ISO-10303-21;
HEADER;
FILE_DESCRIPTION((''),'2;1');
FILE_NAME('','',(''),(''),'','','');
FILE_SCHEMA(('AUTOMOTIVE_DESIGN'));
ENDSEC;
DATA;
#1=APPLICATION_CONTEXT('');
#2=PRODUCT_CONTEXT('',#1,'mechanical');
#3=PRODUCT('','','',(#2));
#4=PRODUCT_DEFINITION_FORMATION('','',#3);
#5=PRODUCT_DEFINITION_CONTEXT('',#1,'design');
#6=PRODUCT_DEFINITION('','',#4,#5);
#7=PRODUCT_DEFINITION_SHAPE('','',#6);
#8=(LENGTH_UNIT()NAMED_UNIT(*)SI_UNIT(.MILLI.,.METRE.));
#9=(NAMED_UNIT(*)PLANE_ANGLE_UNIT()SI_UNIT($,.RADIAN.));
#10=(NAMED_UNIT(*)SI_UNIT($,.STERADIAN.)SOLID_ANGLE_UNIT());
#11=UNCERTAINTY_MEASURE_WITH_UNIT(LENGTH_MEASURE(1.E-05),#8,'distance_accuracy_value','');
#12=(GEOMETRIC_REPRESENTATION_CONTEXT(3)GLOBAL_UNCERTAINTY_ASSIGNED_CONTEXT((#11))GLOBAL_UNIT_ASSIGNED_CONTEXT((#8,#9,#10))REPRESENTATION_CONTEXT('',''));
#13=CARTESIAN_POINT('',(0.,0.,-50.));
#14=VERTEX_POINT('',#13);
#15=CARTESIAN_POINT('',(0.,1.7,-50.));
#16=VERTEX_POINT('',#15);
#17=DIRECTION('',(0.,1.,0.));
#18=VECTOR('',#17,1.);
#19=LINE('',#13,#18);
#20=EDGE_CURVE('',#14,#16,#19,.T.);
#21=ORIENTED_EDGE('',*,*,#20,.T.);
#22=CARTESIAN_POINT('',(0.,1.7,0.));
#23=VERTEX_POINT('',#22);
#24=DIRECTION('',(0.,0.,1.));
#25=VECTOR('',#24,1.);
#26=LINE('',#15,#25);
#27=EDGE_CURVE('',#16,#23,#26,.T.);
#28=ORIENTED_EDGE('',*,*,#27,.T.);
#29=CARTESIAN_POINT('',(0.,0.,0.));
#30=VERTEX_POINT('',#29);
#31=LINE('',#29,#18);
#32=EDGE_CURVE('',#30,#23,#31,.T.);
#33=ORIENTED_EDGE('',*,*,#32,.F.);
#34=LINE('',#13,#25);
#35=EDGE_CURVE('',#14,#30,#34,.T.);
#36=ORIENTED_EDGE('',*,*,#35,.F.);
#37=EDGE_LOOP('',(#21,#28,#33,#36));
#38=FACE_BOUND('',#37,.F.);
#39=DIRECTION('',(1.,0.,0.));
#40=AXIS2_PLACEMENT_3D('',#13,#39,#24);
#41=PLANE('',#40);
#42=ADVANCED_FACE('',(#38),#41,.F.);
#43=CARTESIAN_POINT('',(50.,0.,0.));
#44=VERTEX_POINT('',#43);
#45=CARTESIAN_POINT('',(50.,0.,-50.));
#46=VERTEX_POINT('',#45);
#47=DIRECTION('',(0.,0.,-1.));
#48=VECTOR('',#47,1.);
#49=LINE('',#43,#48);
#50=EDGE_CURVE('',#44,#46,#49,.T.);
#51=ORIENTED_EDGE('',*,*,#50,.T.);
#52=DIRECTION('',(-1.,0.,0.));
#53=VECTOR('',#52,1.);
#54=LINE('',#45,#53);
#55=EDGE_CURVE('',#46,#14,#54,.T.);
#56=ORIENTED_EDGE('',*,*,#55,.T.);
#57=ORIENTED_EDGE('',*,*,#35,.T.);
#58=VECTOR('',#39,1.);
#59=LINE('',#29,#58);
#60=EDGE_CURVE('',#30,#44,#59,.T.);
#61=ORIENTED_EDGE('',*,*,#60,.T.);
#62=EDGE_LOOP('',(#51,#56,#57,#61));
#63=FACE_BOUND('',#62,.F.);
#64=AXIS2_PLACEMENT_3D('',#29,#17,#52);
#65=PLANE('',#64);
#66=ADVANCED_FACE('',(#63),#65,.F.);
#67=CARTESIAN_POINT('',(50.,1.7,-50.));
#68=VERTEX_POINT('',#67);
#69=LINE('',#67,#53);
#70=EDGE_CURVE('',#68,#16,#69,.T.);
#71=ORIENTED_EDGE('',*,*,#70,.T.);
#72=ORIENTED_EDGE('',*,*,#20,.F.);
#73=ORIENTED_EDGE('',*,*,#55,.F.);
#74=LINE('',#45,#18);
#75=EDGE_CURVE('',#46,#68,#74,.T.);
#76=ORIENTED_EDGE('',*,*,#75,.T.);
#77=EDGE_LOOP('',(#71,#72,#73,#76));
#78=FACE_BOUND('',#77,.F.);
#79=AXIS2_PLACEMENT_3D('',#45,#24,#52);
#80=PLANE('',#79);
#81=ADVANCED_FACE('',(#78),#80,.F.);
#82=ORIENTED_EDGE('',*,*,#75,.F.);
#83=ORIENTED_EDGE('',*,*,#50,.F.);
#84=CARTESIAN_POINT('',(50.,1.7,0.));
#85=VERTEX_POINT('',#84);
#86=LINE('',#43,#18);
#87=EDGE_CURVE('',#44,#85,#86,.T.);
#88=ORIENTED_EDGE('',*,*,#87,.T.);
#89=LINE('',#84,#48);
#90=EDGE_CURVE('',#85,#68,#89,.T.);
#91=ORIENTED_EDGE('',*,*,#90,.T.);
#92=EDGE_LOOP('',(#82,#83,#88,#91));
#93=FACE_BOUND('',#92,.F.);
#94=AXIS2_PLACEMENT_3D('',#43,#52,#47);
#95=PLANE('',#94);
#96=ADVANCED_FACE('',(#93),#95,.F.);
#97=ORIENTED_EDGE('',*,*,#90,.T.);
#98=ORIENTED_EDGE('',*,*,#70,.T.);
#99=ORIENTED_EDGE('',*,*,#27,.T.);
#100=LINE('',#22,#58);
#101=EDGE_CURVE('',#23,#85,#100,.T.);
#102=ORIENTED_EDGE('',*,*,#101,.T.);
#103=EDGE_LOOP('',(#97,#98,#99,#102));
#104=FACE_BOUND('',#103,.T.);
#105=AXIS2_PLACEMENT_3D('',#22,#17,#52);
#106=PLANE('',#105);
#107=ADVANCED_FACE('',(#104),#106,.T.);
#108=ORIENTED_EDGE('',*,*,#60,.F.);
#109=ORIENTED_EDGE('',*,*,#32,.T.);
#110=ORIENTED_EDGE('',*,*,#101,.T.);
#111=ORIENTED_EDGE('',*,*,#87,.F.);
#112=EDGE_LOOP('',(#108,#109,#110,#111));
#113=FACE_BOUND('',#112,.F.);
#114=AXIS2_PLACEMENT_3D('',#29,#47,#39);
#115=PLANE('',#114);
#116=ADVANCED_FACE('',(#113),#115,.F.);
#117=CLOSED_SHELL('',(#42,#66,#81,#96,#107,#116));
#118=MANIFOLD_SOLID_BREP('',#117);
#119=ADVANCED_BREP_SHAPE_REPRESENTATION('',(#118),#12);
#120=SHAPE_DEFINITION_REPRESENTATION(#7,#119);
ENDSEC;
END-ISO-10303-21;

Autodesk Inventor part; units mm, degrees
ref_plane "YZ Plane" through (0, 0, 0) normal (1, 0, 0) x (0, 1, 0)
ref_plane "XZ Plane" through (0, 0, 0) normal (0, 1, 0) x (-1, 0, 0)
ref_plane "XY Plane" through (0, 0, 0) normal (0, 0, 1) x (1, 0, 0)
sketch "Sketch1" plane through (0, 0, 0) normal (0, 1, 0) x (-1, 0, 0)
  line L0 (0, 0) -> (-50, 0)
  line L1 (-50, 0) -> (-50, -50)
  line L2 (-50, -50) -> (0, -50)
  line L3 (0, -50) -> (0, 0)
  dimension "d0" = 50
  dimension "d1" = 50
extrude "Extrusion1" add sketch "Sketch1" along normal blind 1.7
sketch "Sketch2" plane through (0, 0, 0) normal (0, -1, 0) x (1, 0, 0)
  line L0 (0, 0) -> (50, 0) projected
  line L1 (25, 0) -> (25, -50)
  line L2 (50, -50) -> (0, -50) projected
  line L3 (0, -50) -> (0, 0) projected
  line L4 (0, -25) -> (50, -25)
  line L5 (50, 0) -> (50, -50) projected
properties part number "pcb"
